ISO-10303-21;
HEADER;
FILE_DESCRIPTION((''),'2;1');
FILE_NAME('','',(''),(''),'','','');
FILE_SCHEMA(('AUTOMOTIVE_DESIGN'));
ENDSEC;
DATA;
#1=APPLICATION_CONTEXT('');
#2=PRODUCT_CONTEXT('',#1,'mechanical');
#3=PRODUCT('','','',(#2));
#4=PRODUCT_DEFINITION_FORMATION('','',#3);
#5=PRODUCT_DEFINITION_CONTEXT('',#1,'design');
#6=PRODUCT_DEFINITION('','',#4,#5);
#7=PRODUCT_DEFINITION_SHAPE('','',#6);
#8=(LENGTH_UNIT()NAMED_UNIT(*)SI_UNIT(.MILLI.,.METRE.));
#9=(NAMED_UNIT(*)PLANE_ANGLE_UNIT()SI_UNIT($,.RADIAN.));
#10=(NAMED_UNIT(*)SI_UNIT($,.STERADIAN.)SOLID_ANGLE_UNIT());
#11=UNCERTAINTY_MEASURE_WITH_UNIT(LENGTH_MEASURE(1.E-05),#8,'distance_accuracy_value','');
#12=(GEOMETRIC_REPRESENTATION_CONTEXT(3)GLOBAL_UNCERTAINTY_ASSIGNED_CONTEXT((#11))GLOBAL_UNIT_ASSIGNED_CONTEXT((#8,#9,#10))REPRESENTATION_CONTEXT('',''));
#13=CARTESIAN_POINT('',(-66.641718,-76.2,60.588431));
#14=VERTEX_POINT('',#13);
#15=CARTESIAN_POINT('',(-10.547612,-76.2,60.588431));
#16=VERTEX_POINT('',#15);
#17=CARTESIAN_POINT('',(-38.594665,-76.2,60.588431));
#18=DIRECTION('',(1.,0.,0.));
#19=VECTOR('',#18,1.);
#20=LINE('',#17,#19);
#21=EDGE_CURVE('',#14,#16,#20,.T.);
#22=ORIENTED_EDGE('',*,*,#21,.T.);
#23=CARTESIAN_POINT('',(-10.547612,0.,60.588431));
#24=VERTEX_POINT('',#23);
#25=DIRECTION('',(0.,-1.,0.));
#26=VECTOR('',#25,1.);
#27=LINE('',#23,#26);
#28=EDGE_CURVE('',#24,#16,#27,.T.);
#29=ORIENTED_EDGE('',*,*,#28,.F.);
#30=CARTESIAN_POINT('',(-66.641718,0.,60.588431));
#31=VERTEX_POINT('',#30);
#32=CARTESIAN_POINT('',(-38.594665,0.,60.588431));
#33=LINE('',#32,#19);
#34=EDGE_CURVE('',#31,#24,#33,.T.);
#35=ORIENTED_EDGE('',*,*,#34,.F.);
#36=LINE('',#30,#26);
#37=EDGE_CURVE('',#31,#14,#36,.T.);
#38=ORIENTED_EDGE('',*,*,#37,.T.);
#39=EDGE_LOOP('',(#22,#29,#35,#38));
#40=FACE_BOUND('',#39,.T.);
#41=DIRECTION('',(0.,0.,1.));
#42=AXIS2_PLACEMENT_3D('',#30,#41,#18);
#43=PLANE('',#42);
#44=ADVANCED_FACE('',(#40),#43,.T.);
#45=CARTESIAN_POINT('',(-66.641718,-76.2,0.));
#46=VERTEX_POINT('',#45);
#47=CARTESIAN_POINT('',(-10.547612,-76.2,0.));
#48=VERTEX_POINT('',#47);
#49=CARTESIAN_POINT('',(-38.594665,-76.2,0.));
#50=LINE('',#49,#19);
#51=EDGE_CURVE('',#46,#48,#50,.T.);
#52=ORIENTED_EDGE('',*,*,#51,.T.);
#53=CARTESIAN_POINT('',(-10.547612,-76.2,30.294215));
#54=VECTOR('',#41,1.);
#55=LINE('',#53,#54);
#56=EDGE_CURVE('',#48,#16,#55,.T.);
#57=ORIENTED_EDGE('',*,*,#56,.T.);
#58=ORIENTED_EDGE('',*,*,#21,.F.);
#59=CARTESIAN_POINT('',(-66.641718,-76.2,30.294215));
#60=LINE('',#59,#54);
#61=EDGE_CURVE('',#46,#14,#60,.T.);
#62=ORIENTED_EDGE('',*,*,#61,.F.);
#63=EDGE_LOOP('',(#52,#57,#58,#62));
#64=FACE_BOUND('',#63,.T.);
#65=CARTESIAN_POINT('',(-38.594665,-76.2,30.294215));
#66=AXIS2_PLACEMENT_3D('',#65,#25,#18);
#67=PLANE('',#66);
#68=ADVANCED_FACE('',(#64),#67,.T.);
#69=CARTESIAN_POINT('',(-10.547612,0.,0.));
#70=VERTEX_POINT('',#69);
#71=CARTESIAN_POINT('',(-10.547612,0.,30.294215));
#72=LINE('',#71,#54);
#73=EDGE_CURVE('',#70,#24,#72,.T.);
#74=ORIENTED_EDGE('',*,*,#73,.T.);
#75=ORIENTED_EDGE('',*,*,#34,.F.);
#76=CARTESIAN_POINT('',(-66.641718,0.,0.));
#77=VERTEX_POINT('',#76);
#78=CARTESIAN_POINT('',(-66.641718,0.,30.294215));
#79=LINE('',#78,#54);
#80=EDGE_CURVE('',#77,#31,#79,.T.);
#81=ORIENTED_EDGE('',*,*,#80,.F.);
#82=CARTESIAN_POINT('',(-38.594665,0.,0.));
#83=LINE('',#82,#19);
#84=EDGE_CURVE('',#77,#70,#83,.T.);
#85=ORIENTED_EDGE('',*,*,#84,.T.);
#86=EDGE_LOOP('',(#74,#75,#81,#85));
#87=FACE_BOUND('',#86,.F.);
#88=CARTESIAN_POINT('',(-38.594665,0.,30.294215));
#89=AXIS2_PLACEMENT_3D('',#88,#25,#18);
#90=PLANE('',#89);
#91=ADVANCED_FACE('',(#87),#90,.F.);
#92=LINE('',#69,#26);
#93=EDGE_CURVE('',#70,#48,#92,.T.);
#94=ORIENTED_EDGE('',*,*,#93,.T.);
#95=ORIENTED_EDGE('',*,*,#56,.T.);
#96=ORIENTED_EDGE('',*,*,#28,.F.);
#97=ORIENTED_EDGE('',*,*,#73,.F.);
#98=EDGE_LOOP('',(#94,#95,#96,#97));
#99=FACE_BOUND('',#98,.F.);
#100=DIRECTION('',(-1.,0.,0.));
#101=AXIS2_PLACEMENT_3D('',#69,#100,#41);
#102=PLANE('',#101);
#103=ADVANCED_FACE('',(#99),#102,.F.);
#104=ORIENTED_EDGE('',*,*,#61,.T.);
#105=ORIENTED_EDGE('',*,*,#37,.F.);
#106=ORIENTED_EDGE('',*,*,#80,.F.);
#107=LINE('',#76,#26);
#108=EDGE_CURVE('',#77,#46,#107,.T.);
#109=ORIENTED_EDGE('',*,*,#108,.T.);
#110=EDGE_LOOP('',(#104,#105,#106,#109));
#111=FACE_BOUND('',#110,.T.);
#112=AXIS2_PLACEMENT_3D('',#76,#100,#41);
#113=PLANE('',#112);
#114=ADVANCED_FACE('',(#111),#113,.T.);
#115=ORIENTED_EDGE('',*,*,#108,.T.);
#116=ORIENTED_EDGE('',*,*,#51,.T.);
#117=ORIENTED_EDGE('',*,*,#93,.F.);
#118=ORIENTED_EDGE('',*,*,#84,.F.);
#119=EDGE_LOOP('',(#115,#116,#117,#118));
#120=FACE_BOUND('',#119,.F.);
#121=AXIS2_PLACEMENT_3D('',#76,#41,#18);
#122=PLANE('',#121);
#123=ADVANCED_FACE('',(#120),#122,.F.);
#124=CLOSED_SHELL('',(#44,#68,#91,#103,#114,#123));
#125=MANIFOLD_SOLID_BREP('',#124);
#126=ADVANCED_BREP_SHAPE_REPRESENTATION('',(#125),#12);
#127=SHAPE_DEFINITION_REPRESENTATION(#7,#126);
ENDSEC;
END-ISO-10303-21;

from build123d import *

# Parameters (mm, degrees)
F0_W     = 56.0941062868
F0_H     = 60.5884306133
F1_DEPTH = 76.2
F2_R     = 7.0764642194
F3_DEPTH = 12.7
F4_DEPTH = 12.7


with BuildPart() as f1:
    # F0 (on Front) → F1 (new body)
    with BuildSketch(Plane.XZ):
        with Locations((-38.5946650058, 30.2942153066)):
            Rectangle(F0_W, F0_H)
    extrude(amount=F1_DEPTH)

    # F2 (on face) → F3 (join)
    with BuildSketch(Plane.XZ.offset(76.2)):
        with Locations((-24.6596988291, 47.5771352649)):
            Circle(F2_R)
    extrude(amount=F3_DEPTH)

    # F4 (cut): faces of the model
    f4_faces = [f1.faces().sort_by_distance(p)[0] for p in [
        (-24.6596988291, -88.9, 47.5771352649),
        (-38.5946650058, 0, 30.2942153066),
    ]]
    extrude(f4_faces, amount=-F4_DEPTH, dir=(0, -1, 0), mode=Mode.SUBTRACT)


solid = f1.part
